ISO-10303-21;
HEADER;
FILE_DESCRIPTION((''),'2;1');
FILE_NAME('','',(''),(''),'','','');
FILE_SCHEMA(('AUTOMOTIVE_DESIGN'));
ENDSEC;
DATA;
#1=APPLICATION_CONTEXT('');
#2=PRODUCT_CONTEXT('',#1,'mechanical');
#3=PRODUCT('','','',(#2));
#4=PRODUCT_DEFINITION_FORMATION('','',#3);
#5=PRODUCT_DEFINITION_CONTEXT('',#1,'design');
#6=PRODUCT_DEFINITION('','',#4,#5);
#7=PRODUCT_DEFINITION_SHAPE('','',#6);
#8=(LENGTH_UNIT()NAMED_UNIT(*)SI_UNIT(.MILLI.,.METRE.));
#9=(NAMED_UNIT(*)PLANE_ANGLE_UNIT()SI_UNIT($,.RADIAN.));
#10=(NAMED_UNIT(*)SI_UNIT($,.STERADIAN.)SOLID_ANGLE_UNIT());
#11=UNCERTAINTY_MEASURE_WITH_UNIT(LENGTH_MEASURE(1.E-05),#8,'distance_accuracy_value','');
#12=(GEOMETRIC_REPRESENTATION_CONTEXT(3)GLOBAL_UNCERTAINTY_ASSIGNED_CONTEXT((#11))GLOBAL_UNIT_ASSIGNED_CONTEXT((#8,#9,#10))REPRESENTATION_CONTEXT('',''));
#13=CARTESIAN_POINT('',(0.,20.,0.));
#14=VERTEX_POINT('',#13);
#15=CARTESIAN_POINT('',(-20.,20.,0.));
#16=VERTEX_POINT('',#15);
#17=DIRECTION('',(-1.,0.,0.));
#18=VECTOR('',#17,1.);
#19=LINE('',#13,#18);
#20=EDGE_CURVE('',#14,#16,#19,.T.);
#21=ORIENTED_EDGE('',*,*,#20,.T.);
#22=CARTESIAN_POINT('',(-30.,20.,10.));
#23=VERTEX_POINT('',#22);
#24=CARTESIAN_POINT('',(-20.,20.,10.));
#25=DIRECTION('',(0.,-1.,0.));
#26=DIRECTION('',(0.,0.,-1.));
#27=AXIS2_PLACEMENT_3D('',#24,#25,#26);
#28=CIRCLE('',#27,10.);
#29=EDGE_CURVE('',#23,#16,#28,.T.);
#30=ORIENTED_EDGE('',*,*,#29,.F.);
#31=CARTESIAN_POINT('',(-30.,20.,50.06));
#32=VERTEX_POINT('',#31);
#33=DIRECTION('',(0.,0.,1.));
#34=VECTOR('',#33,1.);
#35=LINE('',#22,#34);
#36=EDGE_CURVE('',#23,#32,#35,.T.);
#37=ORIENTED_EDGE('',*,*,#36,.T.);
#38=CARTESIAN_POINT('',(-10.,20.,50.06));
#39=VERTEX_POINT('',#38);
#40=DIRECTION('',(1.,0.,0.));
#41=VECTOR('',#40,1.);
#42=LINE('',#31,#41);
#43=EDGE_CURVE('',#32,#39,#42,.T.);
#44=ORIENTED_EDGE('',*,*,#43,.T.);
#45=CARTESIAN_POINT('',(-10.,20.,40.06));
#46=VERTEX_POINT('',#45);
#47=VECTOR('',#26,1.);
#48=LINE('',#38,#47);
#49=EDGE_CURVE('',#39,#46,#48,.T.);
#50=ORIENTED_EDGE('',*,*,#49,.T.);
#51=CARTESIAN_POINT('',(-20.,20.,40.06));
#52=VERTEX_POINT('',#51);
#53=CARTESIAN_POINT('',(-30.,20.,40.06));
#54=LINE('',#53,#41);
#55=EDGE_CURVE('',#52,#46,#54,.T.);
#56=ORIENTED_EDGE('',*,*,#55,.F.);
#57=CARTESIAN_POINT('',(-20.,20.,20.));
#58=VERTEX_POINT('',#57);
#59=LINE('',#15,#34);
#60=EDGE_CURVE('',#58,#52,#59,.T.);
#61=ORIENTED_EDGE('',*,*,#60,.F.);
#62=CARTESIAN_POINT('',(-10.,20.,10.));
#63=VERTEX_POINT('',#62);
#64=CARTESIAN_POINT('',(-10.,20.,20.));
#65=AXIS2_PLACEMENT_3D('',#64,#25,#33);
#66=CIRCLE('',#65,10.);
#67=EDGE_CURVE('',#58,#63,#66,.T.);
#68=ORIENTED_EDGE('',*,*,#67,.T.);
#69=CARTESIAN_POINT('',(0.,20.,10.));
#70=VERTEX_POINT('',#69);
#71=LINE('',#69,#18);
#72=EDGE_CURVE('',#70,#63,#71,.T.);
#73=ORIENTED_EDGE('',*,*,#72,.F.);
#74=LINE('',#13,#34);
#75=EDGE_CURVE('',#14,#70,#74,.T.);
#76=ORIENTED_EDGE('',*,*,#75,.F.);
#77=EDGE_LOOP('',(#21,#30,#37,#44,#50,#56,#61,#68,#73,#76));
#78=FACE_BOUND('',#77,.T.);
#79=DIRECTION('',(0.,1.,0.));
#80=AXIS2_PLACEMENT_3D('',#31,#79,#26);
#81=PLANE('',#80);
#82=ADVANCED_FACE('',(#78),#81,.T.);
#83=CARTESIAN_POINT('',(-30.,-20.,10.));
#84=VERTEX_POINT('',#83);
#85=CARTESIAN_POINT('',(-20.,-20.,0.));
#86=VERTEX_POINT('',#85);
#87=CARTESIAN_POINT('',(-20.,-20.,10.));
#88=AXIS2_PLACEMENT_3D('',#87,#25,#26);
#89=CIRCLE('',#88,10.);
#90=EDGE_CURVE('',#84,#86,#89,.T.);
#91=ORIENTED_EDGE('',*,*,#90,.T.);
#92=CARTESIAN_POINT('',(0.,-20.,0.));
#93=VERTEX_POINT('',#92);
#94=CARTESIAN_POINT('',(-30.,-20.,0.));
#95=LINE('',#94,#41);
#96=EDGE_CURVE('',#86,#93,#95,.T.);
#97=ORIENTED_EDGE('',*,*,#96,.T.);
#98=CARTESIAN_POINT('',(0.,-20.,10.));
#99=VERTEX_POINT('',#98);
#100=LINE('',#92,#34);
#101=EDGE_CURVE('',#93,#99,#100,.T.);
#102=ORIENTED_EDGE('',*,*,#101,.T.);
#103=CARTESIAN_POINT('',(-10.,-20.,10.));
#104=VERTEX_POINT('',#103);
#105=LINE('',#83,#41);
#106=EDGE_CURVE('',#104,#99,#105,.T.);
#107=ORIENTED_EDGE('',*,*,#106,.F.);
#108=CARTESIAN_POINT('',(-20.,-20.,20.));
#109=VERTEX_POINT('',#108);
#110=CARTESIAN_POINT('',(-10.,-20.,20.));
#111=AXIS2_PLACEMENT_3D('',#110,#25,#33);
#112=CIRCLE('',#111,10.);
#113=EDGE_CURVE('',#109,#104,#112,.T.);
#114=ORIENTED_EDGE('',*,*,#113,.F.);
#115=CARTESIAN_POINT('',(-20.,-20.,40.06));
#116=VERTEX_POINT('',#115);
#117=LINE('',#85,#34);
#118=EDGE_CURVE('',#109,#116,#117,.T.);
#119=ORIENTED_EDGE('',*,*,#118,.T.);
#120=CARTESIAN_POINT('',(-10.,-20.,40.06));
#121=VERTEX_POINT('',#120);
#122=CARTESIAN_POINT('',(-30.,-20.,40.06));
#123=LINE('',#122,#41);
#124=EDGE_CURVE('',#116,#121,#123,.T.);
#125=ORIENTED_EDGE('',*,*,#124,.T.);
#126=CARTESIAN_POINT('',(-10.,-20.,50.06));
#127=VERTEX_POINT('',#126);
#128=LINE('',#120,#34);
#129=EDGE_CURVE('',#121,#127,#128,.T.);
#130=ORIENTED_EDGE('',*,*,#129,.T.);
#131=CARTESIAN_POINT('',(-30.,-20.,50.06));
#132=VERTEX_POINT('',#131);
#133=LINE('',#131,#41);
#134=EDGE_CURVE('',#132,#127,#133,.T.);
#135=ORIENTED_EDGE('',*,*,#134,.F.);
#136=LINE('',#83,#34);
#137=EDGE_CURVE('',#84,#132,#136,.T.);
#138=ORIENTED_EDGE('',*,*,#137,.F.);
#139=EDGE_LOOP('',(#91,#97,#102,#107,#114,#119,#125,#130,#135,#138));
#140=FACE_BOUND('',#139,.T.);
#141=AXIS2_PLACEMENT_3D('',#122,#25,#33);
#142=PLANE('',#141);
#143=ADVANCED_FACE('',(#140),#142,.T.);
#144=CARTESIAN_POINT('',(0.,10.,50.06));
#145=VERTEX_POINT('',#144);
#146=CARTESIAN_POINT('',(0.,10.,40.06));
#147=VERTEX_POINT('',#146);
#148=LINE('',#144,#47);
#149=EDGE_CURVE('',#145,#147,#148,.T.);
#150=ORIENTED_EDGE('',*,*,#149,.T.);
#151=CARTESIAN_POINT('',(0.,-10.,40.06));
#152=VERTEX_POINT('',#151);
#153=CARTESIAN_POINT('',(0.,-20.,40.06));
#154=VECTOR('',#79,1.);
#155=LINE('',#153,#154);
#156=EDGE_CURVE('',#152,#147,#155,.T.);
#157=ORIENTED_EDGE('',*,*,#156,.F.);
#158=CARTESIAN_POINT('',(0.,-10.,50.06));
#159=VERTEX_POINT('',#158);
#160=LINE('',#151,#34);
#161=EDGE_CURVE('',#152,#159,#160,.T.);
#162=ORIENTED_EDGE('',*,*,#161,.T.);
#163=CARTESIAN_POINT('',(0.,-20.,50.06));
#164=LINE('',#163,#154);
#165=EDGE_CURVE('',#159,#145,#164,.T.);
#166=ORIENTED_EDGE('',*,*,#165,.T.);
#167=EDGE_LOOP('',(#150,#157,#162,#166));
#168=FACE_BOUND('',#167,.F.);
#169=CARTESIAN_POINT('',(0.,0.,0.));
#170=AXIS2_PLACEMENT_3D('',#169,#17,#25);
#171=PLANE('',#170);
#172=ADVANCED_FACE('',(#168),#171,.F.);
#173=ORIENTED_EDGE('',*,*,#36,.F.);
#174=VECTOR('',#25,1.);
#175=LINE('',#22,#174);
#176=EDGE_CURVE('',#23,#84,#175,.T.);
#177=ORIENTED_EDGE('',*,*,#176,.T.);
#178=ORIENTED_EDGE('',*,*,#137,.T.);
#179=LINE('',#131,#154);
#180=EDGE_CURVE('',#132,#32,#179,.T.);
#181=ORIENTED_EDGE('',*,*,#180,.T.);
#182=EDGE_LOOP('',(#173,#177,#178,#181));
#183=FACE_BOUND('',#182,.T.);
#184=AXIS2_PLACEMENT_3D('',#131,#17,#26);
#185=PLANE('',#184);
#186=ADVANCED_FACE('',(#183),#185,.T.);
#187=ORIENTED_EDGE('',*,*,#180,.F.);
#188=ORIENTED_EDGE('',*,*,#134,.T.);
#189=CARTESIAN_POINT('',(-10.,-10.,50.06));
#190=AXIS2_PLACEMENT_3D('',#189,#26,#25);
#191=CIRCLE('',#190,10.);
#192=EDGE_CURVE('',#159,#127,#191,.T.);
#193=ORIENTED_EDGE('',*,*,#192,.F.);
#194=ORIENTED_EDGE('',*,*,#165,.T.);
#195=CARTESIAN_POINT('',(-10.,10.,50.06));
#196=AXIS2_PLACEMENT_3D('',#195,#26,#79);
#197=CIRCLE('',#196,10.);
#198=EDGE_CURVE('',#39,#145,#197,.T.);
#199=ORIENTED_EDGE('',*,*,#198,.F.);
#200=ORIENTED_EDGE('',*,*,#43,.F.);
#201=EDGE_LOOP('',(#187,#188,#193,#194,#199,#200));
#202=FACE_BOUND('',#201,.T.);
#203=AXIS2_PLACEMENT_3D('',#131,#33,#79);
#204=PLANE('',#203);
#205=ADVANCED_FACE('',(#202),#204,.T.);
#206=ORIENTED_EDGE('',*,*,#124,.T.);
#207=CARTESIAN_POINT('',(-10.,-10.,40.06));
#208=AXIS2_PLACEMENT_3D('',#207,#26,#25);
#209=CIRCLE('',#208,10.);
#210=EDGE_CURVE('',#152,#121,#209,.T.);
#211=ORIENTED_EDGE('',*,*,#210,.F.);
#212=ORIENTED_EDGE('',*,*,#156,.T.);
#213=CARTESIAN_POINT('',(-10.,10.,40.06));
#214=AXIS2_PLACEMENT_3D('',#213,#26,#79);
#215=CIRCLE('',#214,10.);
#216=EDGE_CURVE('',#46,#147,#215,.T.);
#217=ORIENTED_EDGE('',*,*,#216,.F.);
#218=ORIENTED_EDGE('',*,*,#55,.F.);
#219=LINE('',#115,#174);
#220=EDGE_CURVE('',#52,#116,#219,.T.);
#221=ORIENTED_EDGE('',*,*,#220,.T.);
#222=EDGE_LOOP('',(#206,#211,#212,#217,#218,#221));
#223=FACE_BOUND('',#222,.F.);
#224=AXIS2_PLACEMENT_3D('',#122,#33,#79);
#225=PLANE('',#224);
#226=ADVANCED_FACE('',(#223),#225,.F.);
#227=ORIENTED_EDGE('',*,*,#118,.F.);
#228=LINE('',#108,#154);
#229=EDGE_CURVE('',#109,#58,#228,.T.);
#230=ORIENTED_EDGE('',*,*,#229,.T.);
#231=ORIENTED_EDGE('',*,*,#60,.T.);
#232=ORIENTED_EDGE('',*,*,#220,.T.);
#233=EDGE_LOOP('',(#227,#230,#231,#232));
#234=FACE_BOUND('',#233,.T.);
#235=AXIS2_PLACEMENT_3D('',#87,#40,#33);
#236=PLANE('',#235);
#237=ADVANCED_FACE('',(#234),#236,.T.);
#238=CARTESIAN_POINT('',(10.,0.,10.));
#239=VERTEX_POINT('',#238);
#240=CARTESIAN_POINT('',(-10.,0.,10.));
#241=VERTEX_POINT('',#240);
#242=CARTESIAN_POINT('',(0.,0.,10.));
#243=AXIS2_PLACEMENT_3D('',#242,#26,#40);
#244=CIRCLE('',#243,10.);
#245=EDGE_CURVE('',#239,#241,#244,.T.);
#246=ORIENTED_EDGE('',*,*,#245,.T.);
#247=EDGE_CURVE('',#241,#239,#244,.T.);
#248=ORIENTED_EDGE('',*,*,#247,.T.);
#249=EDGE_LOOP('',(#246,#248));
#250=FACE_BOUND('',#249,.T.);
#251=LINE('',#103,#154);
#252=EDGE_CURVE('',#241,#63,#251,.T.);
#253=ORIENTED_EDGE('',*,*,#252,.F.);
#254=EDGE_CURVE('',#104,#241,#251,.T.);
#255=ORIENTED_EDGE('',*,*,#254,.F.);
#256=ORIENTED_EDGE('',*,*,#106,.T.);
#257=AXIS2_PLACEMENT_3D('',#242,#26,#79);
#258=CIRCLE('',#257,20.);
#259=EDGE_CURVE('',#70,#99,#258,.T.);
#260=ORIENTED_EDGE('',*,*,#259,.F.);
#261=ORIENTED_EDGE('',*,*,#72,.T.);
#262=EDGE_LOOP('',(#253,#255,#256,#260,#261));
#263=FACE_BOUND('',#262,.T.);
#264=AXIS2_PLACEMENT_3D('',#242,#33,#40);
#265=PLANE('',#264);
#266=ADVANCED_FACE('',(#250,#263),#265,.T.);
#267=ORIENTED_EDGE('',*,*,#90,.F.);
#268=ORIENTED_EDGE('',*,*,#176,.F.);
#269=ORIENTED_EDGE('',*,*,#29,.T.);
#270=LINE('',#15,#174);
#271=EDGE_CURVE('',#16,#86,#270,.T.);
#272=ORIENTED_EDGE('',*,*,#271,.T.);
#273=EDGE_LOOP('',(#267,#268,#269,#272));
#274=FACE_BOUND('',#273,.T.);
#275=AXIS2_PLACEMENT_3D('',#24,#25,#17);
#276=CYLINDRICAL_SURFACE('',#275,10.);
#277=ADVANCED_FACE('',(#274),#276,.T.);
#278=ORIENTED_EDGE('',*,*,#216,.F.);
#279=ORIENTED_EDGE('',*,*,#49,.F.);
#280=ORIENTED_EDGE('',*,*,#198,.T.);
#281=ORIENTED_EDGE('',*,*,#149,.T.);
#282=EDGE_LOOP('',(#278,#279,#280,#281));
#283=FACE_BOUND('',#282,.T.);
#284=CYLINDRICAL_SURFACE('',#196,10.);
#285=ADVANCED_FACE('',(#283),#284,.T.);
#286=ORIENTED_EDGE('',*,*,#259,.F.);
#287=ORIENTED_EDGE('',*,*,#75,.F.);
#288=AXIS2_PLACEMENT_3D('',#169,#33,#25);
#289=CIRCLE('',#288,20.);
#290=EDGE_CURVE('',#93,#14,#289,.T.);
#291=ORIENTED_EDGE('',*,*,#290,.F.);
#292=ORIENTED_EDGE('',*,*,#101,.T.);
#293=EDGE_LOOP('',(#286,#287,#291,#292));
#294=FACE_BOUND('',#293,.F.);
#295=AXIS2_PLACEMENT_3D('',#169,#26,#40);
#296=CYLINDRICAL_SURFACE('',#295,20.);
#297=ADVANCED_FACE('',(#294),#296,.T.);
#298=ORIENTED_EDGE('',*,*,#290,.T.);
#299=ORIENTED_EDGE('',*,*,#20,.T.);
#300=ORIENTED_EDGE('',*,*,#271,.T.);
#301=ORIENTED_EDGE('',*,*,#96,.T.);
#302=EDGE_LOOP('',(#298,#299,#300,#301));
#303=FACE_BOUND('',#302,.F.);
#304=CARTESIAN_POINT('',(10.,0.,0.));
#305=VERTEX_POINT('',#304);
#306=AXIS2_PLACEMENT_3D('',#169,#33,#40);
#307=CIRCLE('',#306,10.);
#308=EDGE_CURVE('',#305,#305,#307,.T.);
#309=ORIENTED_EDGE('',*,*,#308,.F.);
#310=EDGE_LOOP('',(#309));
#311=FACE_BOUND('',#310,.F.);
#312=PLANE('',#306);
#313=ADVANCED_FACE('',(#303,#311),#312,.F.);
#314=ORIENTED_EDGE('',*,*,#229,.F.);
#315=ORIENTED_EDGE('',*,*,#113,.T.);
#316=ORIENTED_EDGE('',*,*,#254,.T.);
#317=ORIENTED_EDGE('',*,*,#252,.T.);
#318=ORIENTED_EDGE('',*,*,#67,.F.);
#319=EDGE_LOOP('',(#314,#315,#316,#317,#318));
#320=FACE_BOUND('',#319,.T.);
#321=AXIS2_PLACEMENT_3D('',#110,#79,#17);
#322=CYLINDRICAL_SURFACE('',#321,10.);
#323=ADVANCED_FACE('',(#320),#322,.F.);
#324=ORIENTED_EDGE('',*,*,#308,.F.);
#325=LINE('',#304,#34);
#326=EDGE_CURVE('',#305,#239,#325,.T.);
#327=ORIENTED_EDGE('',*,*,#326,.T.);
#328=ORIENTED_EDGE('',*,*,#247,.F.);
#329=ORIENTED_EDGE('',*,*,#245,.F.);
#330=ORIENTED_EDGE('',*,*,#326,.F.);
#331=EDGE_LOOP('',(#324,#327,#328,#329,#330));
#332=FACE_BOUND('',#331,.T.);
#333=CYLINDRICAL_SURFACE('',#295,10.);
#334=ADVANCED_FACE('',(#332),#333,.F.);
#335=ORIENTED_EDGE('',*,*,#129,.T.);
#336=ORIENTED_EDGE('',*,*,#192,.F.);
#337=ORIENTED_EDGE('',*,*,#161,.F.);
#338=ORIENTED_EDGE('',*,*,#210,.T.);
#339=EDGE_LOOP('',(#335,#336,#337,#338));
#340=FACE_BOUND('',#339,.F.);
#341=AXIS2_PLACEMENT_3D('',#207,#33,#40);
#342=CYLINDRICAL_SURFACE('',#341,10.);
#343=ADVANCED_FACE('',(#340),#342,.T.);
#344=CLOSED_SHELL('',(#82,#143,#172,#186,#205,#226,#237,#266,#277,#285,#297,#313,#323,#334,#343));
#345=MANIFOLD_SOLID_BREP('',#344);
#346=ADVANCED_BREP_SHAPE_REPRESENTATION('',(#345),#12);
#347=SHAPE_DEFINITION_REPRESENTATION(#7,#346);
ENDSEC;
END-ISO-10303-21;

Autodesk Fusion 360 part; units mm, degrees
sketch "Sketch1" plane through (0, 0, 0) normal (0, 0, 1) x (1, 0, 0)
  circle A0 centre (0, 0) radius 20
  circle A1 centre (0, 0) radius 10
  line L0 (0, 20) -> (-30, 20)
  line L1 (-30, 20) -> (-30, -20)
  line L2 (-30, -20) -> (0, -20)
  line L3 (0, -20) -> (0, 20)
  dimension "d1" = 40
  dimension "d2" = 20
  dimension "d3" = 30
  dimension "d4" = 40
extrude "Extrude1" add sketch "Sketch1" along normal blind 10 contours A0 A1 L3 | A0 A1 L3 | A0 L0 L1 L2
sketch "Sketch2" plane through (0, -20, 0) normal (0, -1, 0) x (1, 0, 0)
  line L0 (-30, 0) -> (0, 0)
  line L1 (0, 0) -> (0, 10)
  line L2 (0, 10) -> (-30, 10)
  line L3 (-30, 10) -> (-30, 0)
  line L4 (-30, 0) -> (-20, 0)
  line L5 (-20, 0) -> (-20, 50.06)
  line L6 (-20, 50.06) -> (-30, 50.06)
  line L7 (-30, 50.06) -> (-30, 0)
  dimension "d7" = 10
  dimension "d8" = 50.06
extrude "Extrude2" add sketch "Sketch2" against normal blind 40 contours L2 L5 L6 L7
fillet "Fillet1" radius 10 1 edges at (-30, 0, 0)
fillet "Fillet2" radius 10 1 edges at (-20, 0, 10)
sketch "Sketch3" plane through (-30, 0, 0) normal (-1, 0, 0) x (0, -1, 0)
  line L0 (-20, 10) -> (20, 10)
  line L1 (20, 10) -> (20, 50.06)
  line L2 (20, 50.06) -> (-20, 50.06)
  line L3 (-20, 50.06) -> (-20, 10)
  line L4 (-20, 50.06) -> (20, 50.06)
  line L5 (20, 50.06) -> (20, 40.06)
  line L6 (20, 40.06) -> (-20, 40.06)
  line L7 (-20, 40.06) -> (-20, 50.06)
  dimension "d15" = 10
extrude "Extrude3" add sketch "Sketch3" against normal blind 30 contours L1 L2 L3 L4 L5 L6 L7
fillet "Fillet3" radius 10 2 edges at (0, 20, 45.06) (0, -20, 45.06)
